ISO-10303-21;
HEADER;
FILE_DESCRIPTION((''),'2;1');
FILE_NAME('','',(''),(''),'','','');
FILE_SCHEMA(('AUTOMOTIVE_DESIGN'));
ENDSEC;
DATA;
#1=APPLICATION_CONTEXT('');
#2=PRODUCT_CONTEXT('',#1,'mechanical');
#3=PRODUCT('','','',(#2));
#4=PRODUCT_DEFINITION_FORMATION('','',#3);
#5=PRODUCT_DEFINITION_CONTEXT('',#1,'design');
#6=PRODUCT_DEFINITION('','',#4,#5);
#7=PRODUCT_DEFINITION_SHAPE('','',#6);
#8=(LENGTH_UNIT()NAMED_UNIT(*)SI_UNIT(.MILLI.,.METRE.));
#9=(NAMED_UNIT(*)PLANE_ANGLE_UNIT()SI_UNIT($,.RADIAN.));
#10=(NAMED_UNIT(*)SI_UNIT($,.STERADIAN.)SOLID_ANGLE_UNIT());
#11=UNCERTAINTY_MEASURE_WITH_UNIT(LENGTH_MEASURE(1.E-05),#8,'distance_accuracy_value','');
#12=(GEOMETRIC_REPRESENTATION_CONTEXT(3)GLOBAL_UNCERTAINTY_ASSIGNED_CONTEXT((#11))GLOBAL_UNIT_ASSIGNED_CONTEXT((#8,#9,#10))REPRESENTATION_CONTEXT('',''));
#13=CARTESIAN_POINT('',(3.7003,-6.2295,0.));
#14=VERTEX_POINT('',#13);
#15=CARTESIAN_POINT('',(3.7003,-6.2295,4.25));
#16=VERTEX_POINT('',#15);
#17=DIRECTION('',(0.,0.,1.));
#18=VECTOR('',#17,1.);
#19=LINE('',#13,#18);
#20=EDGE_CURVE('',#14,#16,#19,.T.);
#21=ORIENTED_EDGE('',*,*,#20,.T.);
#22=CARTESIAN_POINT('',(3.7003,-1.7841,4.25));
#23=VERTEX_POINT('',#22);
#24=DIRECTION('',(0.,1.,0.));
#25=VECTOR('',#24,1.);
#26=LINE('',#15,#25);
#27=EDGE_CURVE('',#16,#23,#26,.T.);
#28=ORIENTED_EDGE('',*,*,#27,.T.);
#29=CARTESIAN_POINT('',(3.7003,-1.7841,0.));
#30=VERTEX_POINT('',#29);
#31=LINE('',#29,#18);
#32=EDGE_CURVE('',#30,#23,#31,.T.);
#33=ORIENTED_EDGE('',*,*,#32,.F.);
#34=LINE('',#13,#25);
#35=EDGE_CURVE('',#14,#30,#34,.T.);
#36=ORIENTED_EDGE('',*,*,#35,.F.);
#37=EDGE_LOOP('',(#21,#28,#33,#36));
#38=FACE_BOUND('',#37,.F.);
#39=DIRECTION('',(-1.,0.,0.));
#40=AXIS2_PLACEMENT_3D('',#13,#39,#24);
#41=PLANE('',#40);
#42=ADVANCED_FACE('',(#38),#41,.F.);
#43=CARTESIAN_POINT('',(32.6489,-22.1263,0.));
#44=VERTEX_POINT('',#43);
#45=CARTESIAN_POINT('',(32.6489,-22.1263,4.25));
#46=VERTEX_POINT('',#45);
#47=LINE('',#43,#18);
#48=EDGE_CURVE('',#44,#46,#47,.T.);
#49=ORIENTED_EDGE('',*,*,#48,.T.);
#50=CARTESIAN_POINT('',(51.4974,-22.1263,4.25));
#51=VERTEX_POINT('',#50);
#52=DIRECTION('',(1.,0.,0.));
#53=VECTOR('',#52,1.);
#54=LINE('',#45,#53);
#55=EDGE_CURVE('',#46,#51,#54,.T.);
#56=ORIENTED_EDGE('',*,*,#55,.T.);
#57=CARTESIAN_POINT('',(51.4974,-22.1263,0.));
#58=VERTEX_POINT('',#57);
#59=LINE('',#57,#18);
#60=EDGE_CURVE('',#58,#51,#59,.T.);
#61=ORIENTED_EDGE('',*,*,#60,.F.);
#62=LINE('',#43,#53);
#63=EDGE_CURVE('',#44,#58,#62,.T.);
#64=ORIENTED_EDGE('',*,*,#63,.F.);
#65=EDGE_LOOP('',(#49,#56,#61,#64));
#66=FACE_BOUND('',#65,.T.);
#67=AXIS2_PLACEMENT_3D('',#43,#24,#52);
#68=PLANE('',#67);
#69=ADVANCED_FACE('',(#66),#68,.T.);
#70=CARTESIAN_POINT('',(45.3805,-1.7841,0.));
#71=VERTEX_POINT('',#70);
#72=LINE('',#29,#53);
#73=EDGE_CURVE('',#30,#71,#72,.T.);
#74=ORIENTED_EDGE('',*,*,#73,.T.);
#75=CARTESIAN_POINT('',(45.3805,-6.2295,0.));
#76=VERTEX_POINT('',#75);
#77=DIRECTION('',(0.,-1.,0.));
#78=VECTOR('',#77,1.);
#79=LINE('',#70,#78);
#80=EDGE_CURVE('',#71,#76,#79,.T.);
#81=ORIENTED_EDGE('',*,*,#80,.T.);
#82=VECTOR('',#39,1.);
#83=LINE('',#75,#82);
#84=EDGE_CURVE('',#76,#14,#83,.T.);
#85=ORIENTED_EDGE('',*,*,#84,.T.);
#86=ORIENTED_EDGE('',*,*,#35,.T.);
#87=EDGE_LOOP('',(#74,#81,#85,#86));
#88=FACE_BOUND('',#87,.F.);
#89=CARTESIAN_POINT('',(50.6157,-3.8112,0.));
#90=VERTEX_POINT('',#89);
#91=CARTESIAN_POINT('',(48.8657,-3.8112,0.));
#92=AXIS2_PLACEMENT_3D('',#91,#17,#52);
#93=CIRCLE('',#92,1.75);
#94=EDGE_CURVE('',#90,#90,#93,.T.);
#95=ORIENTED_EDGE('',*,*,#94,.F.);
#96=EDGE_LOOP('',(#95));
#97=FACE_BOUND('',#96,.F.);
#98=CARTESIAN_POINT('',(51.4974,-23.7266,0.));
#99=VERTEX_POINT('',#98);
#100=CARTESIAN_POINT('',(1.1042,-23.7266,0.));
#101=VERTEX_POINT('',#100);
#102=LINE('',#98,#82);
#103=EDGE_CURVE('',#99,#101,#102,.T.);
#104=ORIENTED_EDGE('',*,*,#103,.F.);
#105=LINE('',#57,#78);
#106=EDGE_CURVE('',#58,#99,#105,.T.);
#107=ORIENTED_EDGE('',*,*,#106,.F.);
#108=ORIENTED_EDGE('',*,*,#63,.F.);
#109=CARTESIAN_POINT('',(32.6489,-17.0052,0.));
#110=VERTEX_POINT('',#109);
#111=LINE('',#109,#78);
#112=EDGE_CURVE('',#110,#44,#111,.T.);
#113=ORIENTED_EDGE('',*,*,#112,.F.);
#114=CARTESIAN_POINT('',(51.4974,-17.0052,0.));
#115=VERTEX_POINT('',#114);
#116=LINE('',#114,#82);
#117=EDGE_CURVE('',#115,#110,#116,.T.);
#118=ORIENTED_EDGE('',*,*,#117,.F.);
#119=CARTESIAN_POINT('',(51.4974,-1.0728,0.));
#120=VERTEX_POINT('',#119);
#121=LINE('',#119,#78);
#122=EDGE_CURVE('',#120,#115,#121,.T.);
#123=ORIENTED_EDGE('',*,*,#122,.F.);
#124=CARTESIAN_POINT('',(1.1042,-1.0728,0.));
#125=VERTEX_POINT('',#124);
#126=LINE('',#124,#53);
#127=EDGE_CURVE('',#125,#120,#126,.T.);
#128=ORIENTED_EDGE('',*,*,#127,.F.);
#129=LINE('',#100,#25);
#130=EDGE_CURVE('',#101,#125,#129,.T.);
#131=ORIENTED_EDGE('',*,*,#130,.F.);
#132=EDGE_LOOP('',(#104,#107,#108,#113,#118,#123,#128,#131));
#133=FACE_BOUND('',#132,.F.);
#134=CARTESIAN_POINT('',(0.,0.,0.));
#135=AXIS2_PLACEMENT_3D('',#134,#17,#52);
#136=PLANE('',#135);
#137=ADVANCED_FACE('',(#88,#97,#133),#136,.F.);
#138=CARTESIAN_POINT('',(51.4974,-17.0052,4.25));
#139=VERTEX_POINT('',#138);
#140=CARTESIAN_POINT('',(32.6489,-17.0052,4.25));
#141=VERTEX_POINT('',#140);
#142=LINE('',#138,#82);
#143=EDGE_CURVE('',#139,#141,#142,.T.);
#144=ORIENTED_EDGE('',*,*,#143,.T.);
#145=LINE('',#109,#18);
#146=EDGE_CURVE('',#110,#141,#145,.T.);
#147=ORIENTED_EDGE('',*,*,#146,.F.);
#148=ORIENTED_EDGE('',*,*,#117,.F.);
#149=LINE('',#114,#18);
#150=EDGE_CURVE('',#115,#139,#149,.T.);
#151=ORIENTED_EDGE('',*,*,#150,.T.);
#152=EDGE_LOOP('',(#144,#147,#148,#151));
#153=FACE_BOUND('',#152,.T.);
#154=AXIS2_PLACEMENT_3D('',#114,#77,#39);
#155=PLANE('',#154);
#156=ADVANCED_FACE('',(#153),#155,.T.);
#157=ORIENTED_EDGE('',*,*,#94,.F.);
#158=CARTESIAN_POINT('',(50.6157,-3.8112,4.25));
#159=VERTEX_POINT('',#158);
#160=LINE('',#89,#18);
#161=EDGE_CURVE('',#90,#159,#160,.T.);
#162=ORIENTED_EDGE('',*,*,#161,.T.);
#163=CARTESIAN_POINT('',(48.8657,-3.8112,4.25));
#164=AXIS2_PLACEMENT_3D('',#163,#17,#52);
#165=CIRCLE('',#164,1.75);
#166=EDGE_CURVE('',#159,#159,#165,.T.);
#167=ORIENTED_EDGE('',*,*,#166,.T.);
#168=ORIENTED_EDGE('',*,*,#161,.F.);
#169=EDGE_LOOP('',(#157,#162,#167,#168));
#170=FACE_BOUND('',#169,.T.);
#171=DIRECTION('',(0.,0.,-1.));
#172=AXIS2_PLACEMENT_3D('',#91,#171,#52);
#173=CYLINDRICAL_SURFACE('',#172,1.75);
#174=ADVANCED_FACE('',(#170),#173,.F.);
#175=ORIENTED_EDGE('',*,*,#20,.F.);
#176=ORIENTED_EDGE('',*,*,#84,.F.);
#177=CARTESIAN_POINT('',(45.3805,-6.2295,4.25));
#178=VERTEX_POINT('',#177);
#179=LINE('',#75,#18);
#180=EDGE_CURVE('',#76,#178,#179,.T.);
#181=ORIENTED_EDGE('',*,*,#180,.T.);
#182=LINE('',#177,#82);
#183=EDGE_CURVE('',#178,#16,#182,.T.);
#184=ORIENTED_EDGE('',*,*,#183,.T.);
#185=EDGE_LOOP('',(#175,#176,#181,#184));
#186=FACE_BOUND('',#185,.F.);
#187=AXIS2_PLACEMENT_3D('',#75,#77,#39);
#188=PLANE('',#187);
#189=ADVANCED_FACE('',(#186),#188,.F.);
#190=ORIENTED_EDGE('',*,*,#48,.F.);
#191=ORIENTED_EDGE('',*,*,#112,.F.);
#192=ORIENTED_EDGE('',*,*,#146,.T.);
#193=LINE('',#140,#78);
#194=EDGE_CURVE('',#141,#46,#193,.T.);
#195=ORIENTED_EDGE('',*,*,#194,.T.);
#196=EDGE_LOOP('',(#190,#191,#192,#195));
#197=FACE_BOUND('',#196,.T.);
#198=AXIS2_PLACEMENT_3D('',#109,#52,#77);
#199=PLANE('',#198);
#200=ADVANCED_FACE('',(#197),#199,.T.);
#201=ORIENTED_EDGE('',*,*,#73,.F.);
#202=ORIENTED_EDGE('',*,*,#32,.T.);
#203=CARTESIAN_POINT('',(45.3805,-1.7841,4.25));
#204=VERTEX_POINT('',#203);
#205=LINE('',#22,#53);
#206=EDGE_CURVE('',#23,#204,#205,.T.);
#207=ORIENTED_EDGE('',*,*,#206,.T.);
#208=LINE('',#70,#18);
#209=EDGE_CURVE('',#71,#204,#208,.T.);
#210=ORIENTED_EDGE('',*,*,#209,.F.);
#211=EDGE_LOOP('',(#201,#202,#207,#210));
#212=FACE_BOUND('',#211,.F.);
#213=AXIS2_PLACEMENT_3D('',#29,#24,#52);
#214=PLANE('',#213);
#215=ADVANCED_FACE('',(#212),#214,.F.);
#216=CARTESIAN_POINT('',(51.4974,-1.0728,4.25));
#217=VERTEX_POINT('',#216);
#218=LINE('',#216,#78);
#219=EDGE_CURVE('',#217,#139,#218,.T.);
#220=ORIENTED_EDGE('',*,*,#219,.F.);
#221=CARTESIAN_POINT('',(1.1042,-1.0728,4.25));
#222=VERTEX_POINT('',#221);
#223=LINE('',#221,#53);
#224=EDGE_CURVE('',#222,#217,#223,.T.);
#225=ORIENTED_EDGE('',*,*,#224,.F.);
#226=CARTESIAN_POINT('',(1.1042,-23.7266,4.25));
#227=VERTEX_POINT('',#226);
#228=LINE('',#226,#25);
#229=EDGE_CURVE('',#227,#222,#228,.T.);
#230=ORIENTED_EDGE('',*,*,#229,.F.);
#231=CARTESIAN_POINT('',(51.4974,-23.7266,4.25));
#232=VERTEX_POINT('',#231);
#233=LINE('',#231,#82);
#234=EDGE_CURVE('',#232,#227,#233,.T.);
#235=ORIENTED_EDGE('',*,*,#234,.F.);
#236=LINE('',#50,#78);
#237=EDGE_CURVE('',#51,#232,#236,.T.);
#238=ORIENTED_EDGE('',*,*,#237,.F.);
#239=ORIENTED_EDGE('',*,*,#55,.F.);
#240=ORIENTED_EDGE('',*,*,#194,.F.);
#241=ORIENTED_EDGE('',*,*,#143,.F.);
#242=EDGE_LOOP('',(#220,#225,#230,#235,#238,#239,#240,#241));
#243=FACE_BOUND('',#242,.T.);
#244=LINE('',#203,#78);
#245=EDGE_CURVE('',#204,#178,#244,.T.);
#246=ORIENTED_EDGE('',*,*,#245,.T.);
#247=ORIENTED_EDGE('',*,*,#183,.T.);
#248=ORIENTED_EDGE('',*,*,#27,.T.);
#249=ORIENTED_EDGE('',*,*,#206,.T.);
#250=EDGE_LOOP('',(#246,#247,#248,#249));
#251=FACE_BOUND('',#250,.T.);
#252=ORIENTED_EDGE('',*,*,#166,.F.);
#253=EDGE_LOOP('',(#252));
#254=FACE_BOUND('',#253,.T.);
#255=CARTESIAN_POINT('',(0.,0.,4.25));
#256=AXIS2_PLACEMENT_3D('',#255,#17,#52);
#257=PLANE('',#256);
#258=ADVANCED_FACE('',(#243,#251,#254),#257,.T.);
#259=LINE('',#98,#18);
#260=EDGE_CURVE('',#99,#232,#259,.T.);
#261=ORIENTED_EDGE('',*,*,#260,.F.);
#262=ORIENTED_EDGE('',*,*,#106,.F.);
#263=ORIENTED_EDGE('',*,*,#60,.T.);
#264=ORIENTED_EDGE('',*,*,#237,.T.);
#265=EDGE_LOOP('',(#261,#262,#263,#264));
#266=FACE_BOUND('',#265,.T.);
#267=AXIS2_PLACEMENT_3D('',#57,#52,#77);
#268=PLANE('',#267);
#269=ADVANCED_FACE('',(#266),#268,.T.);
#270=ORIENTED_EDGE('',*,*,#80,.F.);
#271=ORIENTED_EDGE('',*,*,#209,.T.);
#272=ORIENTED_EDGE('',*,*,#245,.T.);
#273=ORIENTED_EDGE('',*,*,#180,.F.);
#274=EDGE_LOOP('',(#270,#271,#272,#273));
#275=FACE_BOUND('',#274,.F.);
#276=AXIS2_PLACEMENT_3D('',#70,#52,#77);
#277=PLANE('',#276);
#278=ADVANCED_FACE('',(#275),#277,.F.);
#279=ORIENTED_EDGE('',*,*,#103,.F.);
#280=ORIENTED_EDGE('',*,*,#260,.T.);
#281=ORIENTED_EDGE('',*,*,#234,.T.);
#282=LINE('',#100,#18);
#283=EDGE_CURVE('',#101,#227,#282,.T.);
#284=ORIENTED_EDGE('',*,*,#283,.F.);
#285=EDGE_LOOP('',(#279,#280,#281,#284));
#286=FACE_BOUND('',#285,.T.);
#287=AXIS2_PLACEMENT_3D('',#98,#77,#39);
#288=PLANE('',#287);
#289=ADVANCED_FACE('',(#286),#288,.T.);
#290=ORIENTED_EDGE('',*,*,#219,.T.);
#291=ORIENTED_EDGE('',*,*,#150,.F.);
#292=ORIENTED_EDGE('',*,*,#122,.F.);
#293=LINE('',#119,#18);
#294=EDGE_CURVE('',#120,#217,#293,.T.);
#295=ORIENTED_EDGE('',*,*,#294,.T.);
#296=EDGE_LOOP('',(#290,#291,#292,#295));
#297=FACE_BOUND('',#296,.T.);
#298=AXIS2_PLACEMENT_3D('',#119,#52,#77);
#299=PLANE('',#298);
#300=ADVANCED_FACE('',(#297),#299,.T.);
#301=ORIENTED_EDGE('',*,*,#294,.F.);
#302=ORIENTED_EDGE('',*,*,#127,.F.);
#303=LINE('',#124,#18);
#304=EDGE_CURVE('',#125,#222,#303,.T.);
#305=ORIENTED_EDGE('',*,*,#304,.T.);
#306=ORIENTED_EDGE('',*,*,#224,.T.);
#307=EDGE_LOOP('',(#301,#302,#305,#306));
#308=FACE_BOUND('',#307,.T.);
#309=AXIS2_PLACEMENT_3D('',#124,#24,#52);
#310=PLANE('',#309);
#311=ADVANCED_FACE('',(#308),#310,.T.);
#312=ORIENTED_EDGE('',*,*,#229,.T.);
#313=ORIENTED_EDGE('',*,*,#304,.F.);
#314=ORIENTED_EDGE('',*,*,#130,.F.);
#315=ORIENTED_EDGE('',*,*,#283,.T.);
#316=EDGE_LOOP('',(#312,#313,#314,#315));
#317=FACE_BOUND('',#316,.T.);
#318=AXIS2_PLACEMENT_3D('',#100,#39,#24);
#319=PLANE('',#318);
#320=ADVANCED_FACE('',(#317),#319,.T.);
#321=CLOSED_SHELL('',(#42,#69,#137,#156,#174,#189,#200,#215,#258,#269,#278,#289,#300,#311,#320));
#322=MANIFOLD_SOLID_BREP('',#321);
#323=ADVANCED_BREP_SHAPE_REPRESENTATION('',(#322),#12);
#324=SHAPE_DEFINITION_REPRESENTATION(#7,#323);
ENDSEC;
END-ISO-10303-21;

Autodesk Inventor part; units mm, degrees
ref_plane "YZ Plane" through (0, 0, 0) normal (1, 0, 0) x (0, 1, 0)
ref_plane "XZ Plane" through (0, 0, 0) normal (0, 1, 0) x (-1, 0, 0)
ref_plane "XY Plane" through (0, 0, 0) normal (0, 0, 1) x (1, 0, 0)
sketch "Sketch1" plane through (0, 0, 0) normal (0, 0, 1) x (1, 0, 0)
  line L0 (32.6853, -22.1423) -> (32.6853, -16.9838)
  line L1 (32.6853, -16.9838) -> (51.489, -16.9838)
  line L2 (51.489, -16.9838) -> (51.489, -1.0089)
  line L3 (51.489, -1.0089) -> (1.0684, -1.0089)
  line L4 (1.0684, -1.0089) -> (1.0684, -23.6677)
  line L5 (1.0684, -23.6677) -> (51.489, -23.6677)
  line L6 (51.489, -23.6677) -> (51.489, -22.1423)
  line L7 (51.489, -22.1423) -> (32.6853, -22.1423)
  spline S0 degree 3 poles (48.8756, -2.4759) (49.6244, -2.4759) (50.2314, -3.0829) (50.2314, -3.8317) (50.2314, -4.5805) (49.6244, -5.1875) (48.8756, -5.1875) (48.1268, -5.1875) (47.5198, -4.5805) (47.5198, -3.8317) (47.5198, -3.0829) (48.1268, -2.4759) (48.8756, -2.4759) knots 0 0 0 0 1 1 1 2 2 2 3 3 3 4 4 4 4
  line L8 (48.8756, -2.4759) -> (49.6244, -2.4759) construction
  line L9 (49.6244, -2.4759) -> (50.2314, -3.0829) construction
  line L10 (50.2314, -3.0829) -> (50.2314, -3.8317) construction
  line L11 (50.2314, -3.8317) -> (50.2314, -4.5805) construction
  line L12 (50.2314, -4.5805) -> (49.6244, -5.1875) construction
  line L13 (49.6244, -5.1875) -> (48.8756, -5.1875) construction
  line L14 (48.8756, -5.1875) -> (48.1268, -5.1875) construction
  line L15 (48.1268, -5.1875) -> (47.5198, -4.5805) construction
  line L16 (47.5198, -4.5805) -> (47.5198, -3.8317) construction
  line L17 (47.5198, -3.8317) -> (47.5198, -3.0829) construction
  line L18 (47.5198, -3.0829) -> (48.1268, -2.4759) construction
  line L19 (48.1268, -2.4759) -> (48.8756, -2.4759) construction
  line L20 (3.6754, -1.73) -> (45.3598, -1.73)
  line L21 (45.3598, -1.73) -> (45.3598, -6.1952)
  line L22 (45.3598, -6.1952) -> (3.6754, -6.1952)
  line L23 (3.6754, -6.1952) -> (3.6754, -1.73)
  point P0 (0, 0)
sketch "Sketch3" plane through (0, 0, 0) normal (0, 0, 1) x (1, 0, 0)
  line L0 (51.4974, -22.1263) -> (51.4974, -23.7266)
  line L1 (51.4974, -23.7266) -> (1.1042, -23.7266)
  line L2 (1.1042, -23.7266) -> (1.1042, -1.0728)
  line L3 (1.1042, -1.0728) -> (51.4974, -1.0728)
  line L4 (51.4974, -1.0728) -> (51.4974, -17.0052)
  line L5 (51.4974, -17.0052) -> (32.6489, -17.0052)
  line L6 (32.6489, -17.0052) -> (32.6489, -22.1263)
  line L7 (32.6489, -22.1263) -> (51.4974, -22.1263)
  line L8 (3.7003, -1.7841) -> (45.3805, -1.7841)
  line L9 (45.3805, -1.7841) -> (45.3805, -6.2295)
  line L10 (45.3805, -6.2295) -> (3.7003, -6.2295)
  line L11 (3.7003, -6.2295) -> (3.7003, -1.7841)
  circle A0 centre (48.8657, -3.8112) radius 1.75
  point P0 (0, 0)
  dimension "d0" = 3.5
extrude "Extrusion1" add sketch "Sketch3" along normal blind 4.25
properties part number "spi backpack model"
